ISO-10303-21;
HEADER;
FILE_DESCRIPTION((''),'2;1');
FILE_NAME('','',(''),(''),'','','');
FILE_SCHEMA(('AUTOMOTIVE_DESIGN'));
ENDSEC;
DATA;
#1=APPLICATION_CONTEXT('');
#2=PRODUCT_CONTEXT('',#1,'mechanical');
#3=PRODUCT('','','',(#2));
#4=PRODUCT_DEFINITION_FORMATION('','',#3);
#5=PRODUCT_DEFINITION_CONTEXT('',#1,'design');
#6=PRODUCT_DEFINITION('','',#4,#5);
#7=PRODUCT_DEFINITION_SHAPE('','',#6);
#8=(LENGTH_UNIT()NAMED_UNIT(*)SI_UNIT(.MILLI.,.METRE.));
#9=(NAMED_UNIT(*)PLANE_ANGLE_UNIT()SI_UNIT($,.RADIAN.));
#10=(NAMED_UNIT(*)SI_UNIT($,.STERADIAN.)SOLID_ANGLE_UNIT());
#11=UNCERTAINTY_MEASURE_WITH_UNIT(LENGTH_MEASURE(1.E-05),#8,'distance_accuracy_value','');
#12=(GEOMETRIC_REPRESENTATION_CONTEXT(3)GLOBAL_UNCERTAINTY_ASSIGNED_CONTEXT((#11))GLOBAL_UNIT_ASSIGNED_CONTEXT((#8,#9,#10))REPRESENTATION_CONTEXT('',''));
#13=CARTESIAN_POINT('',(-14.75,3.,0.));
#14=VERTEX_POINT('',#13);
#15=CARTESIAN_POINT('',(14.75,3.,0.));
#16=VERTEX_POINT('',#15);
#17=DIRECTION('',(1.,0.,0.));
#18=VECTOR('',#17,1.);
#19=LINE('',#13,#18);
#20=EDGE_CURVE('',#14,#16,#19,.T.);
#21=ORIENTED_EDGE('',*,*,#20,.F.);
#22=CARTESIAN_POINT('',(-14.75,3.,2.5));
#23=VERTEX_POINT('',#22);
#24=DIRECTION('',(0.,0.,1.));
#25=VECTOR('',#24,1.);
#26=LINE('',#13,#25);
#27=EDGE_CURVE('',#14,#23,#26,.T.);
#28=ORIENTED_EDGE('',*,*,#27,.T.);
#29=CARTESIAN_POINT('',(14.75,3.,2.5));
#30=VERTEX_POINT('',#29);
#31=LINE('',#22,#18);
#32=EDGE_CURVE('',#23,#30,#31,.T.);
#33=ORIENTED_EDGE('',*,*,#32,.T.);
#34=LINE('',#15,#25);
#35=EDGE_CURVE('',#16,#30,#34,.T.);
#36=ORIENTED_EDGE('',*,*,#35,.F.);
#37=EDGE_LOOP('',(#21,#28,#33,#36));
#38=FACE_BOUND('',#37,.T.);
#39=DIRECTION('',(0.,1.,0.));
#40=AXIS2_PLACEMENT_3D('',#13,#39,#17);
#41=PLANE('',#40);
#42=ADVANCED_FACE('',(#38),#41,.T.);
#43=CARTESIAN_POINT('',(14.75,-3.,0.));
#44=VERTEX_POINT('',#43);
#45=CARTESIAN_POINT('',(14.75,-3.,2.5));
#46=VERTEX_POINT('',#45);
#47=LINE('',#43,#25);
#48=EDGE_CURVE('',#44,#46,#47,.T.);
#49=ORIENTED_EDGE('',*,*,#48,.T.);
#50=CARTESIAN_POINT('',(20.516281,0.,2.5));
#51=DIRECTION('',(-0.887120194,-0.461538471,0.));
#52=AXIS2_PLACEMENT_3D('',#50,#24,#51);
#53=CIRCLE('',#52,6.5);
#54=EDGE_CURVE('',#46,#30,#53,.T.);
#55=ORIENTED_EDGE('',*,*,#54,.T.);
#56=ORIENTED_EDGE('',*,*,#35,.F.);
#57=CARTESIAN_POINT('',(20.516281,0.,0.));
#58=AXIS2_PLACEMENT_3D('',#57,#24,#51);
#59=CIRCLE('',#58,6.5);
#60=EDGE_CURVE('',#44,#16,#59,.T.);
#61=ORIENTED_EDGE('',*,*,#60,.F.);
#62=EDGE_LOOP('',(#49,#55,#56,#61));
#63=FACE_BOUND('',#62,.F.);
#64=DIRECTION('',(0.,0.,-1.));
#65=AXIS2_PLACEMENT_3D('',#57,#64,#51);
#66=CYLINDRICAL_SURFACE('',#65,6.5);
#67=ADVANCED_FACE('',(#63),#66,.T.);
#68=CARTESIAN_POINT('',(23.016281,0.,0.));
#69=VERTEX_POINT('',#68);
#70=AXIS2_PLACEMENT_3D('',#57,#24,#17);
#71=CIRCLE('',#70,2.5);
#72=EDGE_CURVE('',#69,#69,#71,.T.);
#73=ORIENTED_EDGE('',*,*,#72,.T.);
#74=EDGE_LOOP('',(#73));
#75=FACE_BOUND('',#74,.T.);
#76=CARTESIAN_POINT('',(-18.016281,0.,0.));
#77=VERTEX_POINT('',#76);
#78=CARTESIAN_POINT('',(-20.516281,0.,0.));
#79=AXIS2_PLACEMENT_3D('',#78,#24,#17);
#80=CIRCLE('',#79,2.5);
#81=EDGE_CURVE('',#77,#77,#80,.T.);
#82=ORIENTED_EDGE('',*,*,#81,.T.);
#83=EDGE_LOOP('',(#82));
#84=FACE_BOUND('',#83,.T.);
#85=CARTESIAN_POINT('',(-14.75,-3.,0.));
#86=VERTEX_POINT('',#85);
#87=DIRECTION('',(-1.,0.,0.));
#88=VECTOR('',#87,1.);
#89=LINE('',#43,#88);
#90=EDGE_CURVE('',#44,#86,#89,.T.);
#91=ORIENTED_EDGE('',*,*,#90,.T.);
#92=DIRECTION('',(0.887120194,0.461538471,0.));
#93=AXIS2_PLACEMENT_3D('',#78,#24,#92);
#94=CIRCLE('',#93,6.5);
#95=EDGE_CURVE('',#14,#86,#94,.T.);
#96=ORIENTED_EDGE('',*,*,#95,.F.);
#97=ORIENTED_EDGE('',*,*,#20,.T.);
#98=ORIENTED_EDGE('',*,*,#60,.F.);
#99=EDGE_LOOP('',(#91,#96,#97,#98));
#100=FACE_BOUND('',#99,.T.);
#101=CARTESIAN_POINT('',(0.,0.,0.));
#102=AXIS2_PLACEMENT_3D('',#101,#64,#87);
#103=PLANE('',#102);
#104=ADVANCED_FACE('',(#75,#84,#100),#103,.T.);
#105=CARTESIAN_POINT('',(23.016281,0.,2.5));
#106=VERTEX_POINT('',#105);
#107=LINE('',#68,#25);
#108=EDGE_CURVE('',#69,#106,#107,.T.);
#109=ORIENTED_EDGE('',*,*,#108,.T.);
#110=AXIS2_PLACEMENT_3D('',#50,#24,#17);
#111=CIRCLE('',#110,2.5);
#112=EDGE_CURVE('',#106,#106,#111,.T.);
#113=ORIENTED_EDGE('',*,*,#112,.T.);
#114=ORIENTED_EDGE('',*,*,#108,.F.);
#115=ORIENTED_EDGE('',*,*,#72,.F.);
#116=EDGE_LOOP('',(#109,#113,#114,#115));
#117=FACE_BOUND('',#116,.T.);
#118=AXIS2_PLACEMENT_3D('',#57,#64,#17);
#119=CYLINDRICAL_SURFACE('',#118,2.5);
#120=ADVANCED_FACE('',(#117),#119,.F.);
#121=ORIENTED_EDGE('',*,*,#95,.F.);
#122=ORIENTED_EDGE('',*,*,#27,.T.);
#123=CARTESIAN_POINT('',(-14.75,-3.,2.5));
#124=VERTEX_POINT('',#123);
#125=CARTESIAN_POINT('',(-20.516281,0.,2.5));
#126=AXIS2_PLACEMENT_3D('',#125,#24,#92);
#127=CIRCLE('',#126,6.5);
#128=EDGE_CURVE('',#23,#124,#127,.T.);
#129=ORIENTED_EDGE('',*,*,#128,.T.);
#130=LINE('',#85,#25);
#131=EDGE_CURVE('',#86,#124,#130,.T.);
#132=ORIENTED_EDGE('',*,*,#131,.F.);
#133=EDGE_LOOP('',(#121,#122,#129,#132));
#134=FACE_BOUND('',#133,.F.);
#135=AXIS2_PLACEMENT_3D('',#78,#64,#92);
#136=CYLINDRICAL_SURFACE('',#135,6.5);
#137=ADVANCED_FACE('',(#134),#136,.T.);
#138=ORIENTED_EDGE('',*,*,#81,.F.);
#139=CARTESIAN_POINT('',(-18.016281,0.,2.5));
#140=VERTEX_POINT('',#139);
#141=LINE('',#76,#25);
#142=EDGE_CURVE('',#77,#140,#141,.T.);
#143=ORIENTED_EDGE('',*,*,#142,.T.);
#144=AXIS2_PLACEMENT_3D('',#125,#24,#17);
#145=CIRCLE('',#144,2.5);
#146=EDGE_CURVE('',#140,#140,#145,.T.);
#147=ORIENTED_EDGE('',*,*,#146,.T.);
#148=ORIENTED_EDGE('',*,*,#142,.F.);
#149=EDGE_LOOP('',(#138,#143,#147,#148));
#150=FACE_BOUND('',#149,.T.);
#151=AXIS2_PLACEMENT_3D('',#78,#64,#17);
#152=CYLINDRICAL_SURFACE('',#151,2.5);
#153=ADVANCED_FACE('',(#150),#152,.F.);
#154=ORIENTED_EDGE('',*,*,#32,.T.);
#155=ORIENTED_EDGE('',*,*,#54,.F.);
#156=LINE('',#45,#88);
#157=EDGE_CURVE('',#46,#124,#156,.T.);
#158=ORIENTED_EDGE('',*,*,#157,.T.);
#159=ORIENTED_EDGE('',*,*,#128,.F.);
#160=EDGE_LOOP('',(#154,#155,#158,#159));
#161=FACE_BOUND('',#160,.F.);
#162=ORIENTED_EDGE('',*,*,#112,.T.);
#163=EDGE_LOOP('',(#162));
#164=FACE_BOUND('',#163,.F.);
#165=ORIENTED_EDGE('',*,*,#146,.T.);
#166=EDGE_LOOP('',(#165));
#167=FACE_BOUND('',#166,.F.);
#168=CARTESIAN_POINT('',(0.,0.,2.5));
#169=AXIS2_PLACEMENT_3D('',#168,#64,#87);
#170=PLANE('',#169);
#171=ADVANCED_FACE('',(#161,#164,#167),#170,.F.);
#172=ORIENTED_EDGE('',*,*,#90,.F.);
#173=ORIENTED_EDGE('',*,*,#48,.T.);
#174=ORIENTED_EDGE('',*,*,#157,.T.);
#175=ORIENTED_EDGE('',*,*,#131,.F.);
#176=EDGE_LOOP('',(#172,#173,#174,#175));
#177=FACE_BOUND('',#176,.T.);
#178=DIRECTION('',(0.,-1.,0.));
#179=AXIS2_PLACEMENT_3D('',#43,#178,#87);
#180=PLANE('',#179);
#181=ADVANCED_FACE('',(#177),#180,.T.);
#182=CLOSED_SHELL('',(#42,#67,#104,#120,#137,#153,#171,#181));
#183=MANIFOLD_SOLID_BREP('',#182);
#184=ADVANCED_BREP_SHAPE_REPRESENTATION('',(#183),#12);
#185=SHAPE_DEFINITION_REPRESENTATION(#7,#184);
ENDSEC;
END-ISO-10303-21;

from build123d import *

# Parameters (mm, degrees)
SKETCH_R  = 2.5
PAD_DEPTH = 2.5


with BuildPart() as part:
    # Sketch → Pad (new body)
    with BuildSketch(Plane.XY):
        with BuildLine():
            Line((-14.75, 3), (14.75, 3))
            ThreePointArc((14.75, -3), (27.016281, 0), (14.75, 3))
            Line((14.75, -3), (-14.75, -3))
            ThreePointArc((-14.75, 3), (-27.016281, 0), (-14.75, -3))
        make_face()
        with Locations((-20.516281, 0)):
            Circle(SKETCH_R, mode=Mode.SUBTRACT)
        with Locations((20.516281, 0)):
            Circle(SKETCH_R, mode=Mode.SUBTRACT)
    extrude(amount=PAD_DEPTH)


solid = part.part
